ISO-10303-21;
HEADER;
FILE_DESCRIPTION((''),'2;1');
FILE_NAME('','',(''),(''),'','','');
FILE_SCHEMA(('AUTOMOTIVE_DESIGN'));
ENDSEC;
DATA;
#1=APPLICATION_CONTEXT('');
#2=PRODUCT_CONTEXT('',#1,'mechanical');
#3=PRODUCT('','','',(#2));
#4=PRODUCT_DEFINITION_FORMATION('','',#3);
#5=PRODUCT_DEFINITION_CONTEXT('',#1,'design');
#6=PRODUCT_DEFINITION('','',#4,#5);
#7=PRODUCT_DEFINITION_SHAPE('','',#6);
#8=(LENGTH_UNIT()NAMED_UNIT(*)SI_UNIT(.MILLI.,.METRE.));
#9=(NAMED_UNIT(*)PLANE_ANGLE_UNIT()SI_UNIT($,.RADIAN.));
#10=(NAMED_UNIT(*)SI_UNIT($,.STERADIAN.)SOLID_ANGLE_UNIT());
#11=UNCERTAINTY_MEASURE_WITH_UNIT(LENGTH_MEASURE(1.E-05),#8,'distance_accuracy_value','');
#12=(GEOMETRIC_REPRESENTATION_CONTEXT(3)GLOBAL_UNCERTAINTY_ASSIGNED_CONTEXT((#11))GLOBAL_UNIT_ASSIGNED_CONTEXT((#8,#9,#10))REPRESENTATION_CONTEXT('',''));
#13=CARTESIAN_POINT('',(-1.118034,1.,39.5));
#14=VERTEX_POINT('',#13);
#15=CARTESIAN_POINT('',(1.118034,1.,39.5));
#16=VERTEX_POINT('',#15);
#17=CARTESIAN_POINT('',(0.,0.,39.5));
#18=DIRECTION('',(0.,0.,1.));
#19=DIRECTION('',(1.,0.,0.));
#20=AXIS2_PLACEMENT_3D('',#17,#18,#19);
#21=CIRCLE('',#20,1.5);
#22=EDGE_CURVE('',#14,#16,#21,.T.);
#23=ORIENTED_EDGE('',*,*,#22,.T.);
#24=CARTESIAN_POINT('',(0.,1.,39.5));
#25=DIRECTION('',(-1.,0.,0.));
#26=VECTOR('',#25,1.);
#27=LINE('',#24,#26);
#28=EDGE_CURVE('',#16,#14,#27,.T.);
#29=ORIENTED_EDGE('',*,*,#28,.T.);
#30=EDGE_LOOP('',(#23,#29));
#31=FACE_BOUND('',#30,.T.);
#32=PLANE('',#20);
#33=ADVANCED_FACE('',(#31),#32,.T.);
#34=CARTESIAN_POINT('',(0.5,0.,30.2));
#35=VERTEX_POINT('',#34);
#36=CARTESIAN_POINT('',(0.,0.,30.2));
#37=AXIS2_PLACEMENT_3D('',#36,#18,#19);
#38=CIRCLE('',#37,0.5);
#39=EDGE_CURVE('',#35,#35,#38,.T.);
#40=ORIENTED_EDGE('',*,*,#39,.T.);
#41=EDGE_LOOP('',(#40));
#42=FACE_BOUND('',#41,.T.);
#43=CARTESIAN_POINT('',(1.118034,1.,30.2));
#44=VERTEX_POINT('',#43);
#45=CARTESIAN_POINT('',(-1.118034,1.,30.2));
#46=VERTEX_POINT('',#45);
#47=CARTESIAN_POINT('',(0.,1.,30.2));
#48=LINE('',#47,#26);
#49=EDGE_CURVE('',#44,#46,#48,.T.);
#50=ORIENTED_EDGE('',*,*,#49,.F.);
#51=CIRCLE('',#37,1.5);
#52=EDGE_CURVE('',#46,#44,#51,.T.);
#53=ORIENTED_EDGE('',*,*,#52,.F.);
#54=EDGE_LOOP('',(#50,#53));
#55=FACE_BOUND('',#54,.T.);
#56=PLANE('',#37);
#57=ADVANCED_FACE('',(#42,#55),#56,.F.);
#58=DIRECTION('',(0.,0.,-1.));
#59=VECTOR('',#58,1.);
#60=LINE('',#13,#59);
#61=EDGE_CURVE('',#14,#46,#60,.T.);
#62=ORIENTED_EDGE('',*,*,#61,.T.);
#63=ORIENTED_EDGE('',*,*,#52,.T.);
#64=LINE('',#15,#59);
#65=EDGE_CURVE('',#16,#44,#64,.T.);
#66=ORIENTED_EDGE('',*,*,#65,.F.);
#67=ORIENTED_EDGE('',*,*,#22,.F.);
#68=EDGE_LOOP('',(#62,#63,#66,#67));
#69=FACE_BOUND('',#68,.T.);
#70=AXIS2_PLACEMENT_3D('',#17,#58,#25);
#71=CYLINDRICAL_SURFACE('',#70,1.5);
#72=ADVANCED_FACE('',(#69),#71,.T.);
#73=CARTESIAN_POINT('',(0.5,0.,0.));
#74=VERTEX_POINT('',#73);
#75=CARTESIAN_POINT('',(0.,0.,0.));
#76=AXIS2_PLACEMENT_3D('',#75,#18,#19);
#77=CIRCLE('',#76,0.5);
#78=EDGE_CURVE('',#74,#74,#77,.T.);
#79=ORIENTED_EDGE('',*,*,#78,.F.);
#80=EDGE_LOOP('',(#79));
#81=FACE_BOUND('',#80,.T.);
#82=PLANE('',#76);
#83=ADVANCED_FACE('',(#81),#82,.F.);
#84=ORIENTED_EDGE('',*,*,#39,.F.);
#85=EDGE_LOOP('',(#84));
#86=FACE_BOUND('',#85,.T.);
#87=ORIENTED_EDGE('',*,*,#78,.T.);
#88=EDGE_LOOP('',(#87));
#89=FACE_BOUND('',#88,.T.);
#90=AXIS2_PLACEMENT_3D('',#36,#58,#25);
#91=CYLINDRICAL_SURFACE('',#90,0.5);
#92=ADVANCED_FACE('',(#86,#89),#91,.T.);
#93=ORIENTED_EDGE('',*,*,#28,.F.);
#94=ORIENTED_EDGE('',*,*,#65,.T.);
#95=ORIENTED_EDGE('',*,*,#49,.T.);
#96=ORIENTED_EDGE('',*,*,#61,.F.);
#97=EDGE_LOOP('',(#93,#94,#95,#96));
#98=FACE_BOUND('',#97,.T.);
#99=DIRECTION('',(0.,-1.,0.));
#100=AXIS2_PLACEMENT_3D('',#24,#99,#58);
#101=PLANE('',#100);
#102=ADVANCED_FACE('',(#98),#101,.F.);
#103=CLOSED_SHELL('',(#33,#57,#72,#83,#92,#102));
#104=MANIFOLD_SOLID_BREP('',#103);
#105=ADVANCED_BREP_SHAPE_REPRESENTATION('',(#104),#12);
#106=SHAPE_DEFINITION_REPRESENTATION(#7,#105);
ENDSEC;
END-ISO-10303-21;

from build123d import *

# Parameters (mm, degrees)
SKETCH1_R           = 0.5
BOSS_EXTRUDE1_DEPTH = 30.2
SKETCH2_R           = 0.5
BOSS_EXTRUDE2_DEPTH = 9.3


with BuildPart() as part:
    # Sketch1 → Boss-Extrude1 (new body)
    with BuildSketch(Plane.XY):
        Circle(SKETCH1_R)
    extrude(amount=BOSS_EXTRUDE1_DEPTH)

    # Sketch2 → Boss-Extrude2 (add)
    with BuildSketch(Plane.XY.offset(30.2)):
        with BuildLine():
            Line((1.118033989, 1), (-1.118033989, 1))
            ThreePointArc((-1.118033989, 1), (0, -1.5), (1.118033989, 1))
        make_face()
        Circle(SKETCH2_R, mode=Mode.SUBTRACT)
        Circle(SKETCH2_R)
    extrude(amount=BOSS_EXTRUDE2_DEPTH)


solid = part.part
